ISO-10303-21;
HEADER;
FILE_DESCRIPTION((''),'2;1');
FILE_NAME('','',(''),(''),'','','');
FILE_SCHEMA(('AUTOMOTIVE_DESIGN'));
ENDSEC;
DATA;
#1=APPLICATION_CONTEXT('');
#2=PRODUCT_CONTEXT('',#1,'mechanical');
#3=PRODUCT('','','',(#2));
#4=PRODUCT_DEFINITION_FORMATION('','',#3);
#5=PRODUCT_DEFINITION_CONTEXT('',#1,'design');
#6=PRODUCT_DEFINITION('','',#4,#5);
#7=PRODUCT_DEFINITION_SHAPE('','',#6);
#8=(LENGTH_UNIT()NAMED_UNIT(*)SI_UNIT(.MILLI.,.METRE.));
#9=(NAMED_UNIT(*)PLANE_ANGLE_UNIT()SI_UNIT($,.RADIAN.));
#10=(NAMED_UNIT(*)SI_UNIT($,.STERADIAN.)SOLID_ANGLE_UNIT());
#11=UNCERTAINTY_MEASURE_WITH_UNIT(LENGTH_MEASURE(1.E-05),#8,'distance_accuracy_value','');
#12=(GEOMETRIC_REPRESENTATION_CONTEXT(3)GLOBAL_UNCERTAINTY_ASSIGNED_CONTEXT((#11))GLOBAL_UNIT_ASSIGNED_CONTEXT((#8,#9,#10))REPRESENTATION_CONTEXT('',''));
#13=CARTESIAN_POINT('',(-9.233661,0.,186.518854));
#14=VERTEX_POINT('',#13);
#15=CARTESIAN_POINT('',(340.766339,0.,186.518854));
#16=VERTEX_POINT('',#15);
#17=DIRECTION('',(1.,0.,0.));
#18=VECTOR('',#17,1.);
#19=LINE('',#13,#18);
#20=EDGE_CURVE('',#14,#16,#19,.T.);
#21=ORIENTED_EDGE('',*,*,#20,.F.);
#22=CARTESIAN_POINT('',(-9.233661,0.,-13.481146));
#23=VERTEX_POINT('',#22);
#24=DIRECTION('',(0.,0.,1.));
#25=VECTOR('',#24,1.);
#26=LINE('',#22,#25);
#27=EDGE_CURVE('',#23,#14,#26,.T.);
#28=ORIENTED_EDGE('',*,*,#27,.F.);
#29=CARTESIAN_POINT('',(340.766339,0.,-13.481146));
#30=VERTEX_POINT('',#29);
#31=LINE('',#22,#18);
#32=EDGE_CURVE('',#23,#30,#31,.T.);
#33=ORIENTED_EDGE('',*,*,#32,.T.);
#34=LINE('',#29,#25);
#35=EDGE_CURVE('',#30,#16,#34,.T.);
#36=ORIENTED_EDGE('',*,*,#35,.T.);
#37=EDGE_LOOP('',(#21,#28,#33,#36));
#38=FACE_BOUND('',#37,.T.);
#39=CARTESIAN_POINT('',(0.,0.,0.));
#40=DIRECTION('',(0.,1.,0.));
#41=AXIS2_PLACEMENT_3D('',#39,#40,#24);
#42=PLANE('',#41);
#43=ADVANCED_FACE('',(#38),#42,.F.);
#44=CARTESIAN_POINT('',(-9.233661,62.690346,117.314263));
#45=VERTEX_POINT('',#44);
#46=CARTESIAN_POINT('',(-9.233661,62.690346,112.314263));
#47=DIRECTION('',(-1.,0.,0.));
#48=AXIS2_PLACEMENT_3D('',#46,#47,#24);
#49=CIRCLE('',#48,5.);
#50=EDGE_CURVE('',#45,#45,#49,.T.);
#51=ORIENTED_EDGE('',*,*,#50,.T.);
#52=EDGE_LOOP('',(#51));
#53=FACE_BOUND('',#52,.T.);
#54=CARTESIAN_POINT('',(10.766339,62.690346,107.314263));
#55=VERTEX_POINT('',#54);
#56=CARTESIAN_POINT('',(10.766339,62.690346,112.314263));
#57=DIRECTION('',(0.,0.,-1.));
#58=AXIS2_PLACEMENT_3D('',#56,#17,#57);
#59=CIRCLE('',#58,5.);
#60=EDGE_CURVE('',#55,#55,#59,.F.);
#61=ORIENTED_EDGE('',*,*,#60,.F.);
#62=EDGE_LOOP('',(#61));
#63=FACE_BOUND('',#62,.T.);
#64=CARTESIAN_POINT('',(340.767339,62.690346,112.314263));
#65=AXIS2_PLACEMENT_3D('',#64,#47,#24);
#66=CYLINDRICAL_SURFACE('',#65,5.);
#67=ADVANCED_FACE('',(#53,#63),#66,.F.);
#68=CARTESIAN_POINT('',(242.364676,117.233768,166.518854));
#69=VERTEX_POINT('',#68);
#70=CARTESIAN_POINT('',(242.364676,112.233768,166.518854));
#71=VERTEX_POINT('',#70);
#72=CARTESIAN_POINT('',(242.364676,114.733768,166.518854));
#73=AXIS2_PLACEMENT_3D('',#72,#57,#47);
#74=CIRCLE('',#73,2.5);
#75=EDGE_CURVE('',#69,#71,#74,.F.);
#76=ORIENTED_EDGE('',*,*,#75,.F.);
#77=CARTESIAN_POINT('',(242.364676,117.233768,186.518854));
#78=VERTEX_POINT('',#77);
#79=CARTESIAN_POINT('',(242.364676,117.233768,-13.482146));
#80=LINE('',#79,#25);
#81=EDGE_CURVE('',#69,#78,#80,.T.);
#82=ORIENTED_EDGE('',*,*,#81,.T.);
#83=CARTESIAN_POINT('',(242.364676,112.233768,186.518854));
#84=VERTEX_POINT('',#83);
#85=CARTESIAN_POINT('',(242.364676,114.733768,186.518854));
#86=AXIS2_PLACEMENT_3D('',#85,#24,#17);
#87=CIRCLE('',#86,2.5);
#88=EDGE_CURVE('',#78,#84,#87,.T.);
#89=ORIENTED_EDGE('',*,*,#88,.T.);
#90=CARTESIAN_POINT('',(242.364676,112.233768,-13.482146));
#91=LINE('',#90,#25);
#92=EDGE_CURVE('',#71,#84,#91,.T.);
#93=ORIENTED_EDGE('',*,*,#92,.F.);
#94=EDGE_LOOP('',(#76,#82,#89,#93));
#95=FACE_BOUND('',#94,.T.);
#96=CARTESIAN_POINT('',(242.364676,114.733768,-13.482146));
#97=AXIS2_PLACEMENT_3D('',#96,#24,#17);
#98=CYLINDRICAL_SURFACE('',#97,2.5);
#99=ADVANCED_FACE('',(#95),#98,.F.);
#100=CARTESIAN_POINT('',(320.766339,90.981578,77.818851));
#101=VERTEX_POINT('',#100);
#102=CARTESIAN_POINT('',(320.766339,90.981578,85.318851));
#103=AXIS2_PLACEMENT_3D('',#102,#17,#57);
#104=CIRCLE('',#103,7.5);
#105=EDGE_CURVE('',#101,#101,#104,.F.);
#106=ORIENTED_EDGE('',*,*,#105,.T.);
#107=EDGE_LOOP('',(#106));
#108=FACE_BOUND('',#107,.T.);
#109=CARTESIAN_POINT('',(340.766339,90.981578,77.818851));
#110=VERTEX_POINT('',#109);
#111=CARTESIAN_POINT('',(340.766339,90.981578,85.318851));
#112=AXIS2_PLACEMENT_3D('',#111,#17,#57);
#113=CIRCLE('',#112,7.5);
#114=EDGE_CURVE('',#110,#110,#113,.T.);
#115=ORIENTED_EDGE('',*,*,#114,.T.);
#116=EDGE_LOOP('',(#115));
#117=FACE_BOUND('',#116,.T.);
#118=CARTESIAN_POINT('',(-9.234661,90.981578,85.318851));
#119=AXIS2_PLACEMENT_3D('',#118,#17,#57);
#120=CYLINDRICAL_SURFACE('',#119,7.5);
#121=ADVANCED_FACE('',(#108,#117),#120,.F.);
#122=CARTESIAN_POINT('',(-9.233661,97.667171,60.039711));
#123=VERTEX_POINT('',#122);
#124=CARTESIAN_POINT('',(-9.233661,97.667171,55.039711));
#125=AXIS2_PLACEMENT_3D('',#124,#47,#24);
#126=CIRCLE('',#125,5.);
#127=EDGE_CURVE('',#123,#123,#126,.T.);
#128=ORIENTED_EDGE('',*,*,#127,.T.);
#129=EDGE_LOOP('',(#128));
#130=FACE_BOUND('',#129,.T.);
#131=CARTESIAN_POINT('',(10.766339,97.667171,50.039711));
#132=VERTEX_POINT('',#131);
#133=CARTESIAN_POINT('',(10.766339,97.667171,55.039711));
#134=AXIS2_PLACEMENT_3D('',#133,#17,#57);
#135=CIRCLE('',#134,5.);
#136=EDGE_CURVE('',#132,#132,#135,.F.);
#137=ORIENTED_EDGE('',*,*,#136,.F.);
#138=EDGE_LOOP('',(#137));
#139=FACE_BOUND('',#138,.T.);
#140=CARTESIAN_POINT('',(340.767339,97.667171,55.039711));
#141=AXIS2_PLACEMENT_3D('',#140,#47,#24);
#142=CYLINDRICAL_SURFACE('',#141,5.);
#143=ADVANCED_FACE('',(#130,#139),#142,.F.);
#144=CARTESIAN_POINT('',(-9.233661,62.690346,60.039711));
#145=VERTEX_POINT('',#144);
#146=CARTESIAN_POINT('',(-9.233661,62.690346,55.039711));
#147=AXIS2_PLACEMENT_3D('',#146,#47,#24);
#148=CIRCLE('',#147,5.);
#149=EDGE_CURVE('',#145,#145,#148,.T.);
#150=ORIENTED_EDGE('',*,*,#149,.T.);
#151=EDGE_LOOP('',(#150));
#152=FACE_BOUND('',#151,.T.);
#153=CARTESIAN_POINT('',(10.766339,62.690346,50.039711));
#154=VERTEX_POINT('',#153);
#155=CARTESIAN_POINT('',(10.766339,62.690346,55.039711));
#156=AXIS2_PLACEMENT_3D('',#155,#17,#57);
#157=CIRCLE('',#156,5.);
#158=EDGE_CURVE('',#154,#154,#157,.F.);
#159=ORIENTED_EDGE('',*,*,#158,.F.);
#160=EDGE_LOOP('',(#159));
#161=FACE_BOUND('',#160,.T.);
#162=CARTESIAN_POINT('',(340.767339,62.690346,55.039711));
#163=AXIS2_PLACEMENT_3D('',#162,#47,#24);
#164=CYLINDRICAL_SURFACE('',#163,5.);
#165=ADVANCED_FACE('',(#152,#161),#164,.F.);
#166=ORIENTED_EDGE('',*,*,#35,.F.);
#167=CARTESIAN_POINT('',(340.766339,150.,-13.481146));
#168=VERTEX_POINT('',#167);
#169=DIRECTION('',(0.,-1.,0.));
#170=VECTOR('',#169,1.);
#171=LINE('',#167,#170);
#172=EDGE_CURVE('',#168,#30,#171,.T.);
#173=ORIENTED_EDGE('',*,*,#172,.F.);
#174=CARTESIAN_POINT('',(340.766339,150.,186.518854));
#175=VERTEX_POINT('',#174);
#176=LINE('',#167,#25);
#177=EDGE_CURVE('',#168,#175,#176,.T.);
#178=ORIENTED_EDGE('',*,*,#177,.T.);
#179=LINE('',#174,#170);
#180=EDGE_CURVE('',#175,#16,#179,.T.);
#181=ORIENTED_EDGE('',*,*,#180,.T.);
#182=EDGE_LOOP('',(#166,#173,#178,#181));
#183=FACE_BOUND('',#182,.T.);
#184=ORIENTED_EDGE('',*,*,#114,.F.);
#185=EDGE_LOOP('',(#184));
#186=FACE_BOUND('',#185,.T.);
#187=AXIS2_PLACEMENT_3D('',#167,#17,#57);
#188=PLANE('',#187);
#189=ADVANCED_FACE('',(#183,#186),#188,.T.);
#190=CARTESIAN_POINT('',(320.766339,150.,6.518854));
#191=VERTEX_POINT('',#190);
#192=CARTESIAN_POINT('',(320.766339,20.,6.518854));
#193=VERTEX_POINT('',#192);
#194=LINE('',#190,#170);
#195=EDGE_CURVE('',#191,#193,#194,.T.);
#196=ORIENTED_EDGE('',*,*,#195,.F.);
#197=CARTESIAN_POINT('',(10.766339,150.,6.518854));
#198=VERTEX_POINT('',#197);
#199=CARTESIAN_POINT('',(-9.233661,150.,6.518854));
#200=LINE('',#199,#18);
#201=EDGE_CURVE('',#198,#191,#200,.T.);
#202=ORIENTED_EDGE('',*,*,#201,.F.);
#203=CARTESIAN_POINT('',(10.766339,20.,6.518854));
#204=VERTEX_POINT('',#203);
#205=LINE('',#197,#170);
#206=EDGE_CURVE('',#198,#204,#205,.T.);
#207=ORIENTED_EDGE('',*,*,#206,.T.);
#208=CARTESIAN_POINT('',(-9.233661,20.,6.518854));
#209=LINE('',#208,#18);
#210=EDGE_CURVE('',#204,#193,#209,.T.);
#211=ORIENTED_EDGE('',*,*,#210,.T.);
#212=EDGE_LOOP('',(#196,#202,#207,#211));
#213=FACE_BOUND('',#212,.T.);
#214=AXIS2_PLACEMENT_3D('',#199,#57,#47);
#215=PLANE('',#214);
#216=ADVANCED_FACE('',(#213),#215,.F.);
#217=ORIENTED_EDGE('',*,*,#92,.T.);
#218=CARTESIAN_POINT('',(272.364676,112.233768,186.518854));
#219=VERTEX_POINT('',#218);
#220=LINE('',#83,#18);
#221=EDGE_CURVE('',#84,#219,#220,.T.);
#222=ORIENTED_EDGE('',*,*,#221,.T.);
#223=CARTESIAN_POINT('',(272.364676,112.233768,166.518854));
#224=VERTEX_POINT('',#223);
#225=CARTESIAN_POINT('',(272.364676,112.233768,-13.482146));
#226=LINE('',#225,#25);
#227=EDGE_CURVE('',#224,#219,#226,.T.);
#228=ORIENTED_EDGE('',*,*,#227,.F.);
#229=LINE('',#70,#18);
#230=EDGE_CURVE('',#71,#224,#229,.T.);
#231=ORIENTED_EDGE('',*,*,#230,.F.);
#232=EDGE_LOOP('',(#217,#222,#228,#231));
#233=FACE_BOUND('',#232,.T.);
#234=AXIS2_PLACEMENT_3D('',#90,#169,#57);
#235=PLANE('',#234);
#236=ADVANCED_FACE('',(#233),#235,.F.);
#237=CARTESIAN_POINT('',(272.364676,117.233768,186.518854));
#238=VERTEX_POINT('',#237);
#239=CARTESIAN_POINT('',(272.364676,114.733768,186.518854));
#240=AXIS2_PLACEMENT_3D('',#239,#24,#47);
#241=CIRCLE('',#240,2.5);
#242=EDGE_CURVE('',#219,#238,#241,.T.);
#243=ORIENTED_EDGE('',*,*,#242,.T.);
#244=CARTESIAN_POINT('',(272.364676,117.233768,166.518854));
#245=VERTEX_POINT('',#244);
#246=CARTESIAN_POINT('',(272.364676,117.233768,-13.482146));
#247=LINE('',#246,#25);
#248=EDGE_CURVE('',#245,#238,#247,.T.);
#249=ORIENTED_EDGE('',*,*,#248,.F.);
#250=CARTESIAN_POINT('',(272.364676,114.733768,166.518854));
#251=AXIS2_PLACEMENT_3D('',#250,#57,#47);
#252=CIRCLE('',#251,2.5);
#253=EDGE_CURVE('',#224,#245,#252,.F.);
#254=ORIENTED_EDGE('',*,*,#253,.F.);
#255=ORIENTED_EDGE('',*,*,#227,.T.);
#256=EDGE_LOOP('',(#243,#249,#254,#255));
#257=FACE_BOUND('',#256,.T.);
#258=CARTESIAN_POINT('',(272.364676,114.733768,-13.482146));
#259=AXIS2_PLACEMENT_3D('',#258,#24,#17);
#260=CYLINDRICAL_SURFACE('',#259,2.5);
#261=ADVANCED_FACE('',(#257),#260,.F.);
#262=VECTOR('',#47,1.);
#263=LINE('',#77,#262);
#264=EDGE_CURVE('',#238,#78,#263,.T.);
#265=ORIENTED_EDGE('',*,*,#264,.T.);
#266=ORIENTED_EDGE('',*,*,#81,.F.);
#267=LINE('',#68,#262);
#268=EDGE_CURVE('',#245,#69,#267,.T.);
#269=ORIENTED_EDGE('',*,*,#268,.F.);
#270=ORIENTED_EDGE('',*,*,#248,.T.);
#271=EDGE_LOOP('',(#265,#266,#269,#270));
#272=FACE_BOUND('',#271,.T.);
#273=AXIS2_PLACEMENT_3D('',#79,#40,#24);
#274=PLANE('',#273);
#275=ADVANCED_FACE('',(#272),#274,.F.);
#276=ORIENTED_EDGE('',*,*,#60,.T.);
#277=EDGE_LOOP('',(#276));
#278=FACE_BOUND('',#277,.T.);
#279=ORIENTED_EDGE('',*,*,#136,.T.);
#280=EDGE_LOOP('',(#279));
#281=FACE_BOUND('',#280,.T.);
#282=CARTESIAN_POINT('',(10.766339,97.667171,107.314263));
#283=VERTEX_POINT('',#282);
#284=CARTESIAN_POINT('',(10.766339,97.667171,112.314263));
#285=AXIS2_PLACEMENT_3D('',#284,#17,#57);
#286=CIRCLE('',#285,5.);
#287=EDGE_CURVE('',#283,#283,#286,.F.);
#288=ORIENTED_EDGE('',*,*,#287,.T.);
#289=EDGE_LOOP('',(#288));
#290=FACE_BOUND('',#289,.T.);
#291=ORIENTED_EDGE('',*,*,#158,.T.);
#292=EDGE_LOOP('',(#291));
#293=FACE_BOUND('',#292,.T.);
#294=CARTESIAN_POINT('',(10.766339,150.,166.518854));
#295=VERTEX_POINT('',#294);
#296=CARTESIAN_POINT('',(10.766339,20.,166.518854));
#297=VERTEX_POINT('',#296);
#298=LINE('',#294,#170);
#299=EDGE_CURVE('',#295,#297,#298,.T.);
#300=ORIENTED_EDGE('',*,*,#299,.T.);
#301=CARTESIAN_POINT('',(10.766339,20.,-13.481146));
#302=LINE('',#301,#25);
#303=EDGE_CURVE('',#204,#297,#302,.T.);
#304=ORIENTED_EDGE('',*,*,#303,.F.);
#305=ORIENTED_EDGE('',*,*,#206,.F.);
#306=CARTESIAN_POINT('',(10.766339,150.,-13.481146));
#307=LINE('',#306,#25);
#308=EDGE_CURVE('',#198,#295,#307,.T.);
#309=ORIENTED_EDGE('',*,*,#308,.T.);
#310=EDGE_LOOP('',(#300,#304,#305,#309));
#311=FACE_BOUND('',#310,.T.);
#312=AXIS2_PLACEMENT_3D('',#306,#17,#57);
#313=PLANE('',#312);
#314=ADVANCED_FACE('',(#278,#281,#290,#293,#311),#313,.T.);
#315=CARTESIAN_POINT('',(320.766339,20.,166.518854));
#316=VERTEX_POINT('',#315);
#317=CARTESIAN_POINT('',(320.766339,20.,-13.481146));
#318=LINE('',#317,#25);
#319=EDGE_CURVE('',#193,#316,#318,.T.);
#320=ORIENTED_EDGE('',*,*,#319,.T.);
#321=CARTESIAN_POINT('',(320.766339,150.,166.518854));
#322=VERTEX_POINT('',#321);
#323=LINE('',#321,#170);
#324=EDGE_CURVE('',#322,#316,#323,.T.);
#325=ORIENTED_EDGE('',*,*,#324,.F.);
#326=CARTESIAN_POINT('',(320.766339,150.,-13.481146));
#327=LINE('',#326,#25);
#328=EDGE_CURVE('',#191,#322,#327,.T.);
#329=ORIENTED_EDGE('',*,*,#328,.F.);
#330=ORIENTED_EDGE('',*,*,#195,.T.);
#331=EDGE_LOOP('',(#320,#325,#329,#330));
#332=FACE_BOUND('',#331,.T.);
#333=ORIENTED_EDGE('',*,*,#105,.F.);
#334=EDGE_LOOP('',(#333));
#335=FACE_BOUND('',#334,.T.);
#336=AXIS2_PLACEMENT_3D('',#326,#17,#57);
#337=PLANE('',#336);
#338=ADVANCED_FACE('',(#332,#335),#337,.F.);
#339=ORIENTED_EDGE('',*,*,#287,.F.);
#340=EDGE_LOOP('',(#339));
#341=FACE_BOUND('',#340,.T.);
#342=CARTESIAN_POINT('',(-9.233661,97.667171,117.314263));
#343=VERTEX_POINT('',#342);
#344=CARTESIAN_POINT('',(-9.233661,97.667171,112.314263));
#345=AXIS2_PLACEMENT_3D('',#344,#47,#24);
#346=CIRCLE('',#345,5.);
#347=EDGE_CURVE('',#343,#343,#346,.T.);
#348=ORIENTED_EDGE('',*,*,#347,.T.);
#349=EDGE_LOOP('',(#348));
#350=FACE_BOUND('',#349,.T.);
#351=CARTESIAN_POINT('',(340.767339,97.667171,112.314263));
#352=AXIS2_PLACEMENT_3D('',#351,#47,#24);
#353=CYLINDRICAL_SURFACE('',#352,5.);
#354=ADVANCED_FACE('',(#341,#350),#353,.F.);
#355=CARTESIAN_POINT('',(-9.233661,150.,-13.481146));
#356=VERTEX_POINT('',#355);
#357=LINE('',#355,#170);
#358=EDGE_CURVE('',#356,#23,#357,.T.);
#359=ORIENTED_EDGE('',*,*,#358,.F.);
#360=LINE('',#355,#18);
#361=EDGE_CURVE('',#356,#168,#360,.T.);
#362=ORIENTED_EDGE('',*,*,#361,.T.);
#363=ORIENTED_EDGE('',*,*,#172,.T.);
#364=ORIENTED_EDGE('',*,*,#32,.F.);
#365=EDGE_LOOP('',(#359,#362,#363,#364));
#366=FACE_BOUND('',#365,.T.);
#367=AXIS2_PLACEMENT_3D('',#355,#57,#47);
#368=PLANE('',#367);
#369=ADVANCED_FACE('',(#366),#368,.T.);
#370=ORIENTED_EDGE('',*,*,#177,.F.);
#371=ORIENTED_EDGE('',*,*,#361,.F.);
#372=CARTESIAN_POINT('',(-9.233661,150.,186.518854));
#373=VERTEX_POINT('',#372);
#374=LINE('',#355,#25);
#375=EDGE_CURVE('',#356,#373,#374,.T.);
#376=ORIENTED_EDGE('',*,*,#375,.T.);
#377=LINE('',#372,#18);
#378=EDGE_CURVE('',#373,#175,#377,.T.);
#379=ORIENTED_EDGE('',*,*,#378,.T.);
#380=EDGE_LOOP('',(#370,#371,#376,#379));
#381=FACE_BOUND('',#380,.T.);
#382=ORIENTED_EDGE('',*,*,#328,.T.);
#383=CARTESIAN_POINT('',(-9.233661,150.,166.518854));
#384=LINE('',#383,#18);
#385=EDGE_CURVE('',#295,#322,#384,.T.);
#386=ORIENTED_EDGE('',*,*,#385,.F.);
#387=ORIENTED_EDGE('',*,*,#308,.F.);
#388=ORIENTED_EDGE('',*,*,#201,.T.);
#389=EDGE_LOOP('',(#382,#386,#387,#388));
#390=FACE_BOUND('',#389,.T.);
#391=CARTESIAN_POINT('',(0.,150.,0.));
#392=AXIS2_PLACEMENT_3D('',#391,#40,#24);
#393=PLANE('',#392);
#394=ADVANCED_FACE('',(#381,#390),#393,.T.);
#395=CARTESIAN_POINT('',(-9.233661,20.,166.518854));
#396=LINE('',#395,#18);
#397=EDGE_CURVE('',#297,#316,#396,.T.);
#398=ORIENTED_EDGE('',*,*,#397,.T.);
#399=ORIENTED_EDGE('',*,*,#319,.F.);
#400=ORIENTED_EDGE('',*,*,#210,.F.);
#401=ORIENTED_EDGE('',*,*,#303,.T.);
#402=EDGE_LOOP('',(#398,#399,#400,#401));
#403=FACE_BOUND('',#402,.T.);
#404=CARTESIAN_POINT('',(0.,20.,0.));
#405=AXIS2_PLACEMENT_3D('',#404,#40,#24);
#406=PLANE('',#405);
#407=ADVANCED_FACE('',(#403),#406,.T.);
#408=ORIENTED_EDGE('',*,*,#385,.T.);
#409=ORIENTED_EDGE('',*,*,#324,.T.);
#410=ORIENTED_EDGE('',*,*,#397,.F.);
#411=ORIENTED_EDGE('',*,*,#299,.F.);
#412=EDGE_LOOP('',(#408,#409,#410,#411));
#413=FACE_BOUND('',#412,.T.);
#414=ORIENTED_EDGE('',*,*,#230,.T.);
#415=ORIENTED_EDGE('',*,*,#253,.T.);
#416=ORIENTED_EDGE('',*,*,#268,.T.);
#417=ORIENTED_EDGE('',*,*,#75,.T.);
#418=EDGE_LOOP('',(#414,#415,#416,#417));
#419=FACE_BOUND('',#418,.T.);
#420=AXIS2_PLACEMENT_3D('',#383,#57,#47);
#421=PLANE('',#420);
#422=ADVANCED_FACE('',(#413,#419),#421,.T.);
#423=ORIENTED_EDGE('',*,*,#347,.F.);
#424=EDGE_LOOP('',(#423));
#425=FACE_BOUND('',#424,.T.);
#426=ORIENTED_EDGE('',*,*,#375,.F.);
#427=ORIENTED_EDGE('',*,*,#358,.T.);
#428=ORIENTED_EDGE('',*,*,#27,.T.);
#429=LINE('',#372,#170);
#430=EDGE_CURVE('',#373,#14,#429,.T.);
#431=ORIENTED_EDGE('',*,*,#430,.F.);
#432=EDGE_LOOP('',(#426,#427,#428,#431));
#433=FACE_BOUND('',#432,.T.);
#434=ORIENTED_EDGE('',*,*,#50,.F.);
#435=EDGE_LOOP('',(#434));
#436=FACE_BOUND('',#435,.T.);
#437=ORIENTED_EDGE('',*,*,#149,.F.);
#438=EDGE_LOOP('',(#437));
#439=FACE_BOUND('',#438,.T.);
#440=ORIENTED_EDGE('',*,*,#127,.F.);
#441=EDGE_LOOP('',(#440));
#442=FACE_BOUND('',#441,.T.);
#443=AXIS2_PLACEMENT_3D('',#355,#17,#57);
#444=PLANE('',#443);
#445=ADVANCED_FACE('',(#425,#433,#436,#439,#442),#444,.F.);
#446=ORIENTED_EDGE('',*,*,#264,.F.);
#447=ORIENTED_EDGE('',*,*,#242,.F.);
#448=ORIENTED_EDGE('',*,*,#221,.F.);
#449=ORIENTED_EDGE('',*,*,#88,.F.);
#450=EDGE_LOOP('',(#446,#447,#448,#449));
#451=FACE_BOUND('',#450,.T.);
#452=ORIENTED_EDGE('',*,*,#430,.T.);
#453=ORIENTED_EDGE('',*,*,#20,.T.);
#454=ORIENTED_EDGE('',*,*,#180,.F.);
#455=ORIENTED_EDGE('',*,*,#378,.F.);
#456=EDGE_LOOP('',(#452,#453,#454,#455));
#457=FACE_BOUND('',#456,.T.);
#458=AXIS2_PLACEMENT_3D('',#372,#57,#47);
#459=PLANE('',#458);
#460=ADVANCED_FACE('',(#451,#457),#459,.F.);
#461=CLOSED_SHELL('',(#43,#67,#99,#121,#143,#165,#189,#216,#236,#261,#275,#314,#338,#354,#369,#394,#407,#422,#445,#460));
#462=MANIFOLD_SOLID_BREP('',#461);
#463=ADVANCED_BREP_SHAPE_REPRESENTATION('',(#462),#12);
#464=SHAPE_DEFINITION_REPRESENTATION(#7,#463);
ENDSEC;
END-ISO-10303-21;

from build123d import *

# Parameters (mm, degrees)
SKETCH_2_W          = 350
SKETCH_2_H          = 200
EXTRUDE_1_DEPTH     = 150
SHELL_1_T           = -20
CUT_EXTRUDE_1_REACH = 426.016
SKETCH_3_R          = 5
CUT_EXTRUDE_2_REACH = 426.016
SKETCH_4_R          = 7.5
CUT_EXTRUDE_3_REACH = 424.637


with BuildPart() as part:
    # 草图2 → 凸台-拉伸1 (new body)
    with BuildSketch(Plane(origin=(0, 0, 0), x_dir=(1, 0, 0), z_dir=(0, 1, 0))):
        with Locations((165.766338514, -86.518854231)):
            Rectangle(SKETCH_2_W, SKETCH_2_H)
    extrude(amount=EXTRUDE_1_DEPTH)

    # 抽壳1
    shell_1_openings = [part.faces().sort_by_distance(p)[0] for p in [
        (165.766338514, 150, 86.518854231),
    ]]
    offset(amount=SHELL_1_T, openings=shell_1_openings, kind=Kind.INTERSECTION)

    # 草图3 → 切除-拉伸1 (cut, up to next)
    with BuildSketch(Plane.ZY.offset(9.233661486), mode=Mode.PRIVATE) as cut_extrude_1_sk1:
        with Locations((55.039711013, 97.66717145)):
            Circle(SKETCH_3_R)
    cut_extrude_1_tool1 = extrude(cut_extrude_1_sk1.sketch, amount=-CUT_EXTRUDE_1_REACH, mode=Mode.PRIVATE) & part.part
    # 草图3 → 切除-拉伸1 (cut, up to next)
    with BuildSketch(Plane.ZY.offset(9.233661486), mode=Mode.PRIVATE) as cut_extrude_1_sk2:
        with Locations((112.314263257, 97.66717145)):
            Circle(SKETCH_3_R)
    cut_extrude_1_tool2 = extrude(cut_extrude_1_sk2.sketch, amount=-CUT_EXTRUDE_1_REACH, mode=Mode.PRIVATE) & part.part
    # 草图3 → 切除-拉伸1 (cut, up to next)
    with BuildSketch(Plane.ZY.offset(9.233661486), mode=Mode.PRIVATE) as cut_extrude_1_sk3:
        with Locations((55.039711013, 62.690345652)):
            Circle(SKETCH_3_R)
    cut_extrude_1_tool3 = extrude(cut_extrude_1_sk3.sketch, amount=-CUT_EXTRUDE_1_REACH, mode=Mode.PRIVATE) & part.part
    # 草图3 → 切除-拉伸1 (cut, up to next)
    with BuildSketch(Plane.ZY.offset(9.233661486), mode=Mode.PRIVATE) as cut_extrude_1_sk4:
        with Locations((112.314263257, 62.690345652)):
            Circle(SKETCH_3_R)
    cut_extrude_1_tool4 = extrude(cut_extrude_1_sk4.sketch, amount=-CUT_EXTRUDE_1_REACH, mode=Mode.PRIVATE) & part.part
    add(cut_extrude_1_tool1.solids().sort_by_distance((-9.233661, 97.667171, 55.039711))[0], mode=Mode.SUBTRACT)
    add(cut_extrude_1_tool2.solids().sort_by_distance((-9.233661, 97.667171, 112.314263))[0], mode=Mode.SUBTRACT)
    add(cut_extrude_1_tool3.solids().sort_by_distance((-9.233661, 62.690346, 55.039711))[0], mode=Mode.SUBTRACT)
    add(cut_extrude_1_tool4.solids().sort_by_distance((-9.233661, 62.690346, 112.314263))[0], mode=Mode.SUBTRACT)

    # 草图4 → 切除-拉伸2 (cut, up to next)
    with BuildSketch(Plane(origin=(340.766338514, 0, 0), x_dir=(0, 0, -1), z_dir=(1, 0, 0)), mode=Mode.PRIVATE) as cut_extrude_2_sk1:
        with Locations((-85.318851387, 90.981577925)):
            Circle(SKETCH_4_R)
    cut_extrude_2_tool1 = extrude(cut_extrude_2_sk1.sketch, amount=-CUT_EXTRUDE_2_REACH, mode=Mode.PRIVATE) & part.part
    add(cut_extrude_2_tool1.solids().sort_by_distance((340.766339, 90.981578, 85.318851))[0], mode=Mode.SUBTRACT)

    # 草图5 → 切除-拉伸3 (cut, up to next)
    with BuildSketch(Plane.XY.offset(186.518854231), mode=Mode.PRIVATE) as cut_extrude_3_sk1:
        with BuildLine():
            Line((242.364675661, 117.233767731), (272.364675661, 117.233767731))
            ThreePointArc((272.364675661, 117.233767731), (274.864675661, 114.733767731), (272.364675661, 112.233767731))
            Line((272.364675661, 112.233767731), (242.364675661, 112.233767731))
            ThreePointArc((242.364675661, 112.233767731), (239.864675661, 114.733767731), (242.364675661, 117.233767731))
        make_face()
    cut_extrude_3_tool1 = extrude(cut_extrude_3_sk1.sketch, amount=-CUT_EXTRUDE_3_REACH, mode=Mode.PRIVATE) & part.part
    add(cut_extrude_3_tool1.solids().sort_by_distance((257.364676, 114.733768, 186.518854))[0], mode=Mode.SUBTRACT)


solid = part.part
